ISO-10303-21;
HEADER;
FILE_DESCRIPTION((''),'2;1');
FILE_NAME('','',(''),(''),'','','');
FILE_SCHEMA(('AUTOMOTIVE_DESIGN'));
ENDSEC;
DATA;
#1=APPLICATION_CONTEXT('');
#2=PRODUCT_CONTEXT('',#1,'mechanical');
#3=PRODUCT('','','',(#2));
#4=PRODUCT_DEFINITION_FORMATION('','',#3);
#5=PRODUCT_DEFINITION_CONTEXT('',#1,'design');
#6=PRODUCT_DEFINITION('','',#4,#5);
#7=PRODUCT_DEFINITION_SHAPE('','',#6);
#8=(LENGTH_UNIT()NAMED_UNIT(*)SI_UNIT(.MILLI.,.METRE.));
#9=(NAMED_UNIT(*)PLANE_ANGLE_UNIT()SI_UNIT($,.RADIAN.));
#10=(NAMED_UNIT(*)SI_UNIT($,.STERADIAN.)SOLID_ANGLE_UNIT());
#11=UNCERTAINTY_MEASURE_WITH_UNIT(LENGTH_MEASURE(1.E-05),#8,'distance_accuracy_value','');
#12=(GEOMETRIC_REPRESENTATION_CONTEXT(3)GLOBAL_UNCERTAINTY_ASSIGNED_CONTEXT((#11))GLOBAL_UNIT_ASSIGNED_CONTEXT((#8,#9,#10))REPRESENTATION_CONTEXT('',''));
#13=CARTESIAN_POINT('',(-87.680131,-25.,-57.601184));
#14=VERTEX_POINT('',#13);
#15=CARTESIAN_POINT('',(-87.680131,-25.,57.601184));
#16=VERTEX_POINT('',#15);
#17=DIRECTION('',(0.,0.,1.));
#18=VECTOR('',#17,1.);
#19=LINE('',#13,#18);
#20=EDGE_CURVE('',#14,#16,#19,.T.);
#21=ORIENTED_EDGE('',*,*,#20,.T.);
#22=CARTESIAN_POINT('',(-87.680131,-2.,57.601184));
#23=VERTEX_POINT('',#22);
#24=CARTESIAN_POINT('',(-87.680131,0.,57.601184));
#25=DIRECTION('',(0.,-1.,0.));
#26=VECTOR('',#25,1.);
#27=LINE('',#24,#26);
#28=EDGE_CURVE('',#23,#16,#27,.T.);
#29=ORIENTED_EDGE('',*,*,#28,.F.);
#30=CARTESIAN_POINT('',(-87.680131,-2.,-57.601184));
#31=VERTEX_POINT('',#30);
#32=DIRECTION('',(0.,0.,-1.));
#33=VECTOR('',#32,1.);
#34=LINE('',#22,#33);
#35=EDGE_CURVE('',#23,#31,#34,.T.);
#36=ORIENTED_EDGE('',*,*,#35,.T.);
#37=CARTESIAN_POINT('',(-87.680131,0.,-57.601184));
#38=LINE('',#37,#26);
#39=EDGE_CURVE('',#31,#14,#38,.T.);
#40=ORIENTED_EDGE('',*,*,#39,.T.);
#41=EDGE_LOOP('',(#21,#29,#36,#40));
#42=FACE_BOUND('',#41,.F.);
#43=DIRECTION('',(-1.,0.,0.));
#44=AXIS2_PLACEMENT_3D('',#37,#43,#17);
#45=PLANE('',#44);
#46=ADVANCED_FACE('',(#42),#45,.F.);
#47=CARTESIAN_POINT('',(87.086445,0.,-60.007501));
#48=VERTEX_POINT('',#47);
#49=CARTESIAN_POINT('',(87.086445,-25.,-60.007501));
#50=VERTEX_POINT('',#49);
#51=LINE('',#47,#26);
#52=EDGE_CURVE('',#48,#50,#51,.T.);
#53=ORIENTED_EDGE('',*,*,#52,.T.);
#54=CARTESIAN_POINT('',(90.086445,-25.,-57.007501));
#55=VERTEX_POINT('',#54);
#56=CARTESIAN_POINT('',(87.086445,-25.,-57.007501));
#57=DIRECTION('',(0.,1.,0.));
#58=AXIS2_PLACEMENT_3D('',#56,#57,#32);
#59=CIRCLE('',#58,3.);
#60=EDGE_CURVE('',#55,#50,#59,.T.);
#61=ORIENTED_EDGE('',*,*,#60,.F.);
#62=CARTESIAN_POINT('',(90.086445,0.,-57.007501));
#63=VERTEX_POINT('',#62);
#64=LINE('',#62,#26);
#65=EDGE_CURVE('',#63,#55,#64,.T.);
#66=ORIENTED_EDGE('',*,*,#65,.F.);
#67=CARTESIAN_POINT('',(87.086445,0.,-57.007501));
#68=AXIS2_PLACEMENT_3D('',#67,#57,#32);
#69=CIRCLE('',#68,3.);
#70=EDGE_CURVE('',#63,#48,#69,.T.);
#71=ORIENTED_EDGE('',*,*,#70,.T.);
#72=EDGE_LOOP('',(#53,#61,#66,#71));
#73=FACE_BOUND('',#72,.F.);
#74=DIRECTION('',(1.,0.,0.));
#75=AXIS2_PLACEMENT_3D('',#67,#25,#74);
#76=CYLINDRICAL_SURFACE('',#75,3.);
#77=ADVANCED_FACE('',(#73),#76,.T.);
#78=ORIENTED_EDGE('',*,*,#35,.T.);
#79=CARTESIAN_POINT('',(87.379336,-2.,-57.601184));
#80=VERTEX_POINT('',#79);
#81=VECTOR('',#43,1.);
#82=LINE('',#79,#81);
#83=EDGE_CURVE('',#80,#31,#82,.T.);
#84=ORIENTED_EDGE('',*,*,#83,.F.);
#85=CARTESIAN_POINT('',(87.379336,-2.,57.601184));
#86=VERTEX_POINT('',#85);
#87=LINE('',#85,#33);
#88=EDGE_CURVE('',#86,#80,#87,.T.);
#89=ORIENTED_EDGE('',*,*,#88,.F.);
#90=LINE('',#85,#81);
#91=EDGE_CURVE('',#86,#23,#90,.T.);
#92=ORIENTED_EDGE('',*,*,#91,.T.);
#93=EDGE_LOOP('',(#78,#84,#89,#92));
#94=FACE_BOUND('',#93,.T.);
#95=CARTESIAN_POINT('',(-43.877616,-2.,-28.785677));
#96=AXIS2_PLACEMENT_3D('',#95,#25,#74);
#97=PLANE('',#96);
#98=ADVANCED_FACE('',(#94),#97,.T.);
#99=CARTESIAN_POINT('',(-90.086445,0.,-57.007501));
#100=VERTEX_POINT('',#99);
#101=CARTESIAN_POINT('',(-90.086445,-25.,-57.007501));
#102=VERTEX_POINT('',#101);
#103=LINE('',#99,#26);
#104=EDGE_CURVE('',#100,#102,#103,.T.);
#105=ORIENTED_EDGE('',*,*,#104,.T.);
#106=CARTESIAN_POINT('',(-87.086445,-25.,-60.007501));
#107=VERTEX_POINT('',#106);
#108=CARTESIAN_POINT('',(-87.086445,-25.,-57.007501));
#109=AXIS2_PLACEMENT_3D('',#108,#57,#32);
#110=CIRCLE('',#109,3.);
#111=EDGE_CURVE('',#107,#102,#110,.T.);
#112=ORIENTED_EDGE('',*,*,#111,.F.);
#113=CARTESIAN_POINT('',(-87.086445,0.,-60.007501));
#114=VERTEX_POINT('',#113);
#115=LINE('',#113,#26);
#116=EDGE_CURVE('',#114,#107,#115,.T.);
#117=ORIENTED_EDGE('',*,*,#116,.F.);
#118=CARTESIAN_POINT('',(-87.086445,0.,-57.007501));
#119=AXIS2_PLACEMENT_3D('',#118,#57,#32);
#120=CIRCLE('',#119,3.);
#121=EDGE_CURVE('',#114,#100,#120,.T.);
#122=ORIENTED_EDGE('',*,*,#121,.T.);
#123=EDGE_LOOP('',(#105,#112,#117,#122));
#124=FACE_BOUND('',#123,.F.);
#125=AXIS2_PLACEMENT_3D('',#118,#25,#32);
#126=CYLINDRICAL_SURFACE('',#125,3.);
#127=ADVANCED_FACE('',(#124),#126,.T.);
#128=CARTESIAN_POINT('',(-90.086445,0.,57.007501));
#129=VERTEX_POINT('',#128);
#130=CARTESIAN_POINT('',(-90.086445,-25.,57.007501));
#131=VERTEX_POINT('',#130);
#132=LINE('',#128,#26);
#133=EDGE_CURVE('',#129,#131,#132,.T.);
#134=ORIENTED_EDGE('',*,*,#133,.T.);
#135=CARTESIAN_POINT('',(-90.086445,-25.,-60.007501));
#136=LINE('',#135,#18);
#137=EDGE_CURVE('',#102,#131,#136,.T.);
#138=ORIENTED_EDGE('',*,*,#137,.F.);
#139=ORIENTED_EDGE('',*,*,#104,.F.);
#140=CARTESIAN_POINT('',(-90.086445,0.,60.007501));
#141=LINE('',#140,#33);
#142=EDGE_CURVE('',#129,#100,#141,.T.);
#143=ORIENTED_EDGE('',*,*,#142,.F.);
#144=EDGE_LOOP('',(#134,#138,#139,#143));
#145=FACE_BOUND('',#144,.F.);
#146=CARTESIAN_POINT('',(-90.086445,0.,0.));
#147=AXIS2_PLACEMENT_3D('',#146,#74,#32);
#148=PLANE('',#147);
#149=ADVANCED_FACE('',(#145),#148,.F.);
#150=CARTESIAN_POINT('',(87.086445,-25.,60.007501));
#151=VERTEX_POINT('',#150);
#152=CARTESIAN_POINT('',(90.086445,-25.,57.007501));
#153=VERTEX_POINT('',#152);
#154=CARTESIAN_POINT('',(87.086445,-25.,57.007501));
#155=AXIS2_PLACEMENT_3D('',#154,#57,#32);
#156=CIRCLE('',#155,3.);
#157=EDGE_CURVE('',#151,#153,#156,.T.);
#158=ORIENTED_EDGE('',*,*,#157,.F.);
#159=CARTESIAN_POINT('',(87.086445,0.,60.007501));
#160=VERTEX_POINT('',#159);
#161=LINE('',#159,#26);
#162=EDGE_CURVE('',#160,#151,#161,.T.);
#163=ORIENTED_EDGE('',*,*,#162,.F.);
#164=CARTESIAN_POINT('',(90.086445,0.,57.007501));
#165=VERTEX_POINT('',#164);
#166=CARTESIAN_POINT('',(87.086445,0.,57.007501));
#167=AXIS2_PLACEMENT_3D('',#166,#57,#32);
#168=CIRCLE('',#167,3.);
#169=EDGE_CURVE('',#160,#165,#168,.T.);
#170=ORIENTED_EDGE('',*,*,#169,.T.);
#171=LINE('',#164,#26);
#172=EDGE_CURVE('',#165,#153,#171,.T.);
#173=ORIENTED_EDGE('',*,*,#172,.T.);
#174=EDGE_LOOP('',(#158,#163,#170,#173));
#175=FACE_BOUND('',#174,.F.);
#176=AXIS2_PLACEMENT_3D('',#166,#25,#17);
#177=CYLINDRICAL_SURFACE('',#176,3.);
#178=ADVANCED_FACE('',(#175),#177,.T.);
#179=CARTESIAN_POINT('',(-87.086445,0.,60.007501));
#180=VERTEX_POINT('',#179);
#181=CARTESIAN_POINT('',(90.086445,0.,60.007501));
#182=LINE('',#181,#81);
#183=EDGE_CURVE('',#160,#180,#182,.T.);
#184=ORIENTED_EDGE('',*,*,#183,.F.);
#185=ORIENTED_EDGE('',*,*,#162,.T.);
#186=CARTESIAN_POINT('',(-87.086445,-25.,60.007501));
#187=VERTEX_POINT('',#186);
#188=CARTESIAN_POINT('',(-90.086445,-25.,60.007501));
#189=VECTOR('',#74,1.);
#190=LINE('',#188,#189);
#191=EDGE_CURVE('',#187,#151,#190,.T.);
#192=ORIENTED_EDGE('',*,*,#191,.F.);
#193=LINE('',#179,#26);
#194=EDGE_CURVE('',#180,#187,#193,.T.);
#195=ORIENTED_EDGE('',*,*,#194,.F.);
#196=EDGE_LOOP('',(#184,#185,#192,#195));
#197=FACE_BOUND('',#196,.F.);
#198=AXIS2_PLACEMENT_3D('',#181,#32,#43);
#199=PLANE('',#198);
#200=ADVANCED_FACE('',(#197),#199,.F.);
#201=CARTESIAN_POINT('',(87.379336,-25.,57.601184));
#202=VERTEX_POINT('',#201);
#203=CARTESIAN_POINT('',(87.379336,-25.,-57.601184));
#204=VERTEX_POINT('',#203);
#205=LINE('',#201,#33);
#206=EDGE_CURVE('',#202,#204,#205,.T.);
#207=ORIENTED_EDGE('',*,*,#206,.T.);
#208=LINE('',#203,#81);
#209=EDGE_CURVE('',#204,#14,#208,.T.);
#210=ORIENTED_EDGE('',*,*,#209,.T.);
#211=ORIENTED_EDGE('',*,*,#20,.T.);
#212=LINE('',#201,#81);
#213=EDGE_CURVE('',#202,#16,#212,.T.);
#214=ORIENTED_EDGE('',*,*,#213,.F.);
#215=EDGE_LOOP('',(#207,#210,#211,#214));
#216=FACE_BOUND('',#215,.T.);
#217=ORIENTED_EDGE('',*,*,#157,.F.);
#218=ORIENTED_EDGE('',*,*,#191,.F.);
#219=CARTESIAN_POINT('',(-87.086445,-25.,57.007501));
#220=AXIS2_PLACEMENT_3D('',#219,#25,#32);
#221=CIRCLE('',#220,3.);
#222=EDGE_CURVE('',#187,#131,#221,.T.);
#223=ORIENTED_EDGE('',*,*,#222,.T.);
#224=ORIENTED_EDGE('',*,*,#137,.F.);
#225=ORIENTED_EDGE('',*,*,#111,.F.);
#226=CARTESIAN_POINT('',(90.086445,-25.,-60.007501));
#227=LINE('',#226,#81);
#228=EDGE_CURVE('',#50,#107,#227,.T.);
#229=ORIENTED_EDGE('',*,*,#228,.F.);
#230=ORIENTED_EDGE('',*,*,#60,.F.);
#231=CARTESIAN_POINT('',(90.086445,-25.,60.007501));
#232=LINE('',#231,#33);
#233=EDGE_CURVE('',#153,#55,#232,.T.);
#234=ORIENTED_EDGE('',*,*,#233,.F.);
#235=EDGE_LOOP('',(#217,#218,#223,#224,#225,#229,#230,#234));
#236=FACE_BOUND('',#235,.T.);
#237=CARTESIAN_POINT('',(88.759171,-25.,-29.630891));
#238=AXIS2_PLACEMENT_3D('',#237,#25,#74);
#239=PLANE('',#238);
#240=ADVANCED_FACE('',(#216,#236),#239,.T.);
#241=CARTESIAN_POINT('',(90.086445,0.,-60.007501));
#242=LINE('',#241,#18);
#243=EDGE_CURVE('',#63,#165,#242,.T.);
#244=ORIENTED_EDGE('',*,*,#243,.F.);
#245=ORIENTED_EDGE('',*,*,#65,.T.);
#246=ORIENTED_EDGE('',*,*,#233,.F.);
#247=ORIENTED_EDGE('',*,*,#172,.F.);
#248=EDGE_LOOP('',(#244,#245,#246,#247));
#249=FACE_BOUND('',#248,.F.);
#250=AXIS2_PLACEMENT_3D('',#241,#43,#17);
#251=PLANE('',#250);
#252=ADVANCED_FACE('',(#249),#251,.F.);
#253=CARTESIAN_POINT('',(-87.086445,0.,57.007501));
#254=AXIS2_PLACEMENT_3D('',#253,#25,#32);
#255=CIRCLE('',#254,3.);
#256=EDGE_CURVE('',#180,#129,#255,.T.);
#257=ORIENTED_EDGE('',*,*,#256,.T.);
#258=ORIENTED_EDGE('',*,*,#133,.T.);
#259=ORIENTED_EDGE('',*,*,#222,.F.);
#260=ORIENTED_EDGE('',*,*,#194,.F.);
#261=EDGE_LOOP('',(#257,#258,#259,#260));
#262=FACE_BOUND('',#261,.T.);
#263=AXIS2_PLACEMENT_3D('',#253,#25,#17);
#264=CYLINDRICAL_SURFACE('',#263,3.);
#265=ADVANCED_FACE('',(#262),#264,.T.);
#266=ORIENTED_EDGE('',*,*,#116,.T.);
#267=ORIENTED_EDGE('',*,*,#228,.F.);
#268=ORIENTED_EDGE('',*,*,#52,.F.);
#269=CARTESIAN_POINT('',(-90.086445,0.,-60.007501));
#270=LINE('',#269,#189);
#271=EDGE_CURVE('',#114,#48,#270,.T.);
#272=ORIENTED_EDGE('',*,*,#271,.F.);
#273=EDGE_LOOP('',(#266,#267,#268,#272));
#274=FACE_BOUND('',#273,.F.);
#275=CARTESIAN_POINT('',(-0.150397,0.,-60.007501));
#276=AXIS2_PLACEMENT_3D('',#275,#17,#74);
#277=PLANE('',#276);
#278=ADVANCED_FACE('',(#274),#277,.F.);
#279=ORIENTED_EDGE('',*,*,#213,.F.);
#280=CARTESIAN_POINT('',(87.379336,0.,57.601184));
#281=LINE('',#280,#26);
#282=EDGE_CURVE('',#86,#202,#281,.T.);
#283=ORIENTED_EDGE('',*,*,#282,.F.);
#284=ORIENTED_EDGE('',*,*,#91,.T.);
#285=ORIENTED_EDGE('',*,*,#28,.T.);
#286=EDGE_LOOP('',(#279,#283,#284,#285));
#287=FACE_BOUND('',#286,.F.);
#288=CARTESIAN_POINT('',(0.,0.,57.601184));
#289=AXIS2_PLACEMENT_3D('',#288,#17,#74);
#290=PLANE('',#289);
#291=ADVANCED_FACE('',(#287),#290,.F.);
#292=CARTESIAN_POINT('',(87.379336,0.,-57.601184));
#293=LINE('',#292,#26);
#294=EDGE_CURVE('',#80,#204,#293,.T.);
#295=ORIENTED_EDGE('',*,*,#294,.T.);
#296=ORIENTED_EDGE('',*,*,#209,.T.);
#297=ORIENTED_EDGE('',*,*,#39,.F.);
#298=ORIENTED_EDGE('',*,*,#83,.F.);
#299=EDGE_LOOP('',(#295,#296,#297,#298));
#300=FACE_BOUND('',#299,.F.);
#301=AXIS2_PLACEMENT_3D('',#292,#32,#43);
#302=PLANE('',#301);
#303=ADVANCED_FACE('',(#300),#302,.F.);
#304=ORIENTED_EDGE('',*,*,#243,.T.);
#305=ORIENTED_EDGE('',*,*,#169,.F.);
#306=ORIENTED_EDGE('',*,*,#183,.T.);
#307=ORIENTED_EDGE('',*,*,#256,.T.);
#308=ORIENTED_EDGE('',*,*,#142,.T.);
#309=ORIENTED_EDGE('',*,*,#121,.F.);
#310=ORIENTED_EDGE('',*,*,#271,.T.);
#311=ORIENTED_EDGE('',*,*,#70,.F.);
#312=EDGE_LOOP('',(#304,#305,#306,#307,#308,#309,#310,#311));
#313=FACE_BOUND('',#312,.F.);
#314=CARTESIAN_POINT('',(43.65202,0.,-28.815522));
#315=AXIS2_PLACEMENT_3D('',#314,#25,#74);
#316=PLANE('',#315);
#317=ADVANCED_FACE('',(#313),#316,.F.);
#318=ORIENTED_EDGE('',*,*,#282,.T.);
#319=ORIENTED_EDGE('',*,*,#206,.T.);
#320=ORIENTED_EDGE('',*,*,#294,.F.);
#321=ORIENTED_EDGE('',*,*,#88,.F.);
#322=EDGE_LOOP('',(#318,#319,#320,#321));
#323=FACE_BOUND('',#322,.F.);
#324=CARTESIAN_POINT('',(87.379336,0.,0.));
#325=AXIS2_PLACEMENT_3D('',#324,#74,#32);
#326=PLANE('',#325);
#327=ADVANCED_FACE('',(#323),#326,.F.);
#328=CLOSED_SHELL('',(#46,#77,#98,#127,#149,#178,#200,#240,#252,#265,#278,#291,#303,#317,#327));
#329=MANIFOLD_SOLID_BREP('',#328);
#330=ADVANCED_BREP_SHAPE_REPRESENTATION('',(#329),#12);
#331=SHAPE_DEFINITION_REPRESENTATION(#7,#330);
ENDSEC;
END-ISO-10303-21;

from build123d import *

# Parameters (mm, degrees)
F1_DEPTH  = 25
F2_DEPTH  = 25
F3_DEPTH  = 25
F4_DEPTH  = 25
F5_DEPTH  = 25
F6_DEPTH  = 25
F7_DEPTH  = 25
F8_DEPTH  = 25
F0_W      = 87.680131197
F0_H      = 57.6011836529
F0_W_2    = 87.3793363571
F9_DEPTH  = 2
F10_DEPTH = 2
F11_DEPTH = 2
F12_DEPTH = 2
F13_R     = 3
F14_R     = 3
F15_R     = 3
F16_R     = 3


with BuildPart() as f1:
    # F0 (on Front) → F1 (new body)
    with BuildSketch(Plane.XZ):
        Polygon((0, 57.6011836529), (0, 60.0075013936), (-90.0864452124, 60.0075013936), (-87.680131197, 57.6011836529), align=None)
    extrude(amount=F1_DEPTH)

    # F0 (on Front) → F2 (join)
    with BuildSketch(Plane.XZ):
        Polygon((87.3793363571, 57.6011836529), (90.0864452124, 60.0075013936), (0, 60.0075013936), (0, 57.6011836529), align=None)
    extrude(amount=F2_DEPTH)

    # F0 (on Front) → F3 (join)
    with BuildSketch(Plane.XZ):
        Polygon((-87.680131197, 57.6011836529), (-90.0864452124, 60.0075013936), (-90.0864452124, 0), (-87.680131197, 0), align=None)
    extrude(amount=F3_DEPTH)

    # F0 (on Front) → F4 (join)
    with BuildSketch(Plane.XZ):
        Polygon((-87.680131197, 0), (-90.0864452124, 0), (-90.0864452124, -60.0075013936), (-87.680131197, -57.6011836529), align=None)
    extrude(amount=F4_DEPTH)

    # F0 (on Front) → F5 (join)
    with BuildSketch(Plane.XZ):
        Polygon((-90.0864452124, -60.0075013936), (-0.1503974199, -60.0075013936), (-0.1503974199, -57.6011836529), (-87.680131197, -57.6011836529), align=None)
    extrude(amount=F5_DEPTH)

    # F0 (on Front) → F6 (join)
    with BuildSketch(Plane.XZ):
        Polygon((-0.1503974199, -60.0075013936), (90.0864452124, -60.0075013936), (87.3793363571, -57.6011836529), (-0.1503974199, -57.6011836529), align=None)
    extrude(amount=F6_DEPTH)

    # F0 (on Front) → F7 (join)
    with BuildSketch(Plane.XZ):
        Polygon((90.0864452124, 0), (90.0864452124, 60.0075013936), (87.3793363571, 57.6011836529), (87.3793363571, 0), align=None)
    extrude(amount=F7_DEPTH)

    # F0 (on Front) → F8 (join)
    with BuildSketch(Plane.XZ):
        Polygon((90.0864452124, -60.0075013936), (90.0864452124, 0), (87.3793363571, 0), (87.3793363571, -57.6011836529), align=None)
    extrude(amount=F8_DEPTH)

    # F0 (on Front) → F9 (join)
    with BuildSketch(Plane.XZ):
        with Locations((-43.8400655985, 28.8005918264)):
            Rectangle(F0_W, F0_H)
        with Locations((43.6896681786, 28.8005918264)):
            Rectangle(F0_W_2, F0_H)
    extrude(amount=F9_DEPTH)

    # F0 (on Front) → F10 (join)
    with BuildSketch(Plane.XZ):
        with Locations((43.6896681786, 28.8005918264)):
            Rectangle(F0_W_2, F0_H)
    extrude(amount=F10_DEPTH)

    # F0 (on Front) → F11 (join)
    with BuildSketch(Plane.XZ):
        Polygon((-0.1503974199, -57.6011836529), (0, 0), (-87.680131197, 0), (-87.680131197, -57.6011836529), align=None)
    extrude(amount=F11_DEPTH)

    # F0 (on Front) → F12 (join)
    with BuildSketch(Plane.XZ):
        Polygon((87.3793363571, -57.6011836529), (87.3793363571, 0), (0, 0), (-0.1503974199, -57.6011836529), align=None)
    extrude(amount=F12_DEPTH)

    # F13
    f13_edges = [f1.edges().sort_by_distance(p)[0] for p in [
        (-90.086445, -12.5, 60.007501),
    ]]
    fillet(f13_edges, radius=F13_R)

    # F14
    f14_edges = [f1.edges().sort_by_distance(p)[0] for p in [
        (90.086445, -12.5, 60.007501),
    ]]
    fillet(f14_edges, radius=F14_R)

    # F15
    f15_edges = [f1.edges().sort_by_distance(p)[0] for p in [
        (90.086445, -12.5, -60.007501),
    ]]
    fillet(f15_edges, radius=F15_R)

    # F16
    f16_edges = [f1.edges().sort_by_distance(p)[0] for p in [
        (-90.086445, -12.5, -60.007501),
    ]]
    fillet(f16_edges, radius=F16_R)


solid = f1.part
